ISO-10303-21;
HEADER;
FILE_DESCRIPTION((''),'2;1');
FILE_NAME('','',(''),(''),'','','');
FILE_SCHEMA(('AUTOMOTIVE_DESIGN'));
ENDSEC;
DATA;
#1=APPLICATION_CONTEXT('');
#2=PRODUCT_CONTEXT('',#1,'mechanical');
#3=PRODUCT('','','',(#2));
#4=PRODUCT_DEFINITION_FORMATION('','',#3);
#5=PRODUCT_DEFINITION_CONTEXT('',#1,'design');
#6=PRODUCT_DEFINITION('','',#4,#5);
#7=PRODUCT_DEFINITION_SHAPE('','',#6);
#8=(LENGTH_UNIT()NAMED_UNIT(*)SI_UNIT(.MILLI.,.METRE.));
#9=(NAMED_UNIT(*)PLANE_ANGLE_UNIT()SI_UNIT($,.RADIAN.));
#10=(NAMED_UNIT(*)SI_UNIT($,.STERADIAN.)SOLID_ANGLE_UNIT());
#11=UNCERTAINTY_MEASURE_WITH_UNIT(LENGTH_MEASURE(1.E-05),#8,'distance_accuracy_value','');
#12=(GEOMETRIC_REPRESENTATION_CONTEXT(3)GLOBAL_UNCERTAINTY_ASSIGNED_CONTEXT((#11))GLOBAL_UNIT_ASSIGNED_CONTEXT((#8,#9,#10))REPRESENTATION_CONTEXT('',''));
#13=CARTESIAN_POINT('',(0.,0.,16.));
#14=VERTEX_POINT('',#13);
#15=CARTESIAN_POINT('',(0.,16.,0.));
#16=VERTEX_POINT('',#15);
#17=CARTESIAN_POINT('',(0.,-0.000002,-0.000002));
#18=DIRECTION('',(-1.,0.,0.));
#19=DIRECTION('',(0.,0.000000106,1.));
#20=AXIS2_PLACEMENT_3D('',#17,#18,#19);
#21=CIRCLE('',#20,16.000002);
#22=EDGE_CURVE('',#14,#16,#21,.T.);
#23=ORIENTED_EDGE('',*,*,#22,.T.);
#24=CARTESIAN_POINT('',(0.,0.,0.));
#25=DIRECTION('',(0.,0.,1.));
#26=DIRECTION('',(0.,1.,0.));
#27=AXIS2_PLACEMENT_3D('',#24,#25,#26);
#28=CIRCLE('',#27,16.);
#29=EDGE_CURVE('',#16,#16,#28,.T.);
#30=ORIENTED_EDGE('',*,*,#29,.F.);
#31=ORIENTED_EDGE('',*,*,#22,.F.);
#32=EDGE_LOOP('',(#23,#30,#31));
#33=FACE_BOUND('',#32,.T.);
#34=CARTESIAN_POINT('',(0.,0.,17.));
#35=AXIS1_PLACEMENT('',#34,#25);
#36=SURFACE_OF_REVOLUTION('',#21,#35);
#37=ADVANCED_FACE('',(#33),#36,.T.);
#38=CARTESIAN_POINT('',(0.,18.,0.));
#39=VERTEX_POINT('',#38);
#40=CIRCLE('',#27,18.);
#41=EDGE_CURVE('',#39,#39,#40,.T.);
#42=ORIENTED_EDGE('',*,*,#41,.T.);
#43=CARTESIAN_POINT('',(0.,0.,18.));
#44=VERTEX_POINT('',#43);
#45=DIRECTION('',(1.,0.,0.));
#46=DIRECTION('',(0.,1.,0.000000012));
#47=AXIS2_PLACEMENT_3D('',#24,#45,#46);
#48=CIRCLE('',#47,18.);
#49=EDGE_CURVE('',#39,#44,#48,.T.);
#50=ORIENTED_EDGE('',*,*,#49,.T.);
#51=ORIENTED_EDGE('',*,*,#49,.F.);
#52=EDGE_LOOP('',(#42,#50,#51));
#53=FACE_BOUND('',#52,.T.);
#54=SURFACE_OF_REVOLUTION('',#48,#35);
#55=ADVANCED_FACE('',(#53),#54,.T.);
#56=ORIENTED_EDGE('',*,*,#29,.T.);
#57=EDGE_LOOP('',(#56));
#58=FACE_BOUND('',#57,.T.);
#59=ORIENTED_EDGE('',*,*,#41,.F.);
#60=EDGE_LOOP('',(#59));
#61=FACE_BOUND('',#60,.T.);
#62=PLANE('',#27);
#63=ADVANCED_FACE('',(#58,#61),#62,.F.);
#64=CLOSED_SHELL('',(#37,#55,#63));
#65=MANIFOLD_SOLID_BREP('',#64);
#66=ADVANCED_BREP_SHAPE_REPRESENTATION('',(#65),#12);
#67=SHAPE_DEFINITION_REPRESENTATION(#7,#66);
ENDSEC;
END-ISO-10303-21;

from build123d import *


with BuildPart() as f1:
    # F0 (on Right) → F1 (revolve)
    with BuildSketch(Plane.YZ):
        with BuildLine():
            ThreePointArc((0, 16), (11.313708, 11.313708), (16, 0))
            Line((16, 0), (18, 0))
            ThreePointArc((18, 0), (12.727922, 12.727922), (0, 18))
            Line((0, 18), (0, 16))
        make_face()
    revolve(axis=Axis((0, 0, 17), (0, 0, 1)))


solid = f1.part
